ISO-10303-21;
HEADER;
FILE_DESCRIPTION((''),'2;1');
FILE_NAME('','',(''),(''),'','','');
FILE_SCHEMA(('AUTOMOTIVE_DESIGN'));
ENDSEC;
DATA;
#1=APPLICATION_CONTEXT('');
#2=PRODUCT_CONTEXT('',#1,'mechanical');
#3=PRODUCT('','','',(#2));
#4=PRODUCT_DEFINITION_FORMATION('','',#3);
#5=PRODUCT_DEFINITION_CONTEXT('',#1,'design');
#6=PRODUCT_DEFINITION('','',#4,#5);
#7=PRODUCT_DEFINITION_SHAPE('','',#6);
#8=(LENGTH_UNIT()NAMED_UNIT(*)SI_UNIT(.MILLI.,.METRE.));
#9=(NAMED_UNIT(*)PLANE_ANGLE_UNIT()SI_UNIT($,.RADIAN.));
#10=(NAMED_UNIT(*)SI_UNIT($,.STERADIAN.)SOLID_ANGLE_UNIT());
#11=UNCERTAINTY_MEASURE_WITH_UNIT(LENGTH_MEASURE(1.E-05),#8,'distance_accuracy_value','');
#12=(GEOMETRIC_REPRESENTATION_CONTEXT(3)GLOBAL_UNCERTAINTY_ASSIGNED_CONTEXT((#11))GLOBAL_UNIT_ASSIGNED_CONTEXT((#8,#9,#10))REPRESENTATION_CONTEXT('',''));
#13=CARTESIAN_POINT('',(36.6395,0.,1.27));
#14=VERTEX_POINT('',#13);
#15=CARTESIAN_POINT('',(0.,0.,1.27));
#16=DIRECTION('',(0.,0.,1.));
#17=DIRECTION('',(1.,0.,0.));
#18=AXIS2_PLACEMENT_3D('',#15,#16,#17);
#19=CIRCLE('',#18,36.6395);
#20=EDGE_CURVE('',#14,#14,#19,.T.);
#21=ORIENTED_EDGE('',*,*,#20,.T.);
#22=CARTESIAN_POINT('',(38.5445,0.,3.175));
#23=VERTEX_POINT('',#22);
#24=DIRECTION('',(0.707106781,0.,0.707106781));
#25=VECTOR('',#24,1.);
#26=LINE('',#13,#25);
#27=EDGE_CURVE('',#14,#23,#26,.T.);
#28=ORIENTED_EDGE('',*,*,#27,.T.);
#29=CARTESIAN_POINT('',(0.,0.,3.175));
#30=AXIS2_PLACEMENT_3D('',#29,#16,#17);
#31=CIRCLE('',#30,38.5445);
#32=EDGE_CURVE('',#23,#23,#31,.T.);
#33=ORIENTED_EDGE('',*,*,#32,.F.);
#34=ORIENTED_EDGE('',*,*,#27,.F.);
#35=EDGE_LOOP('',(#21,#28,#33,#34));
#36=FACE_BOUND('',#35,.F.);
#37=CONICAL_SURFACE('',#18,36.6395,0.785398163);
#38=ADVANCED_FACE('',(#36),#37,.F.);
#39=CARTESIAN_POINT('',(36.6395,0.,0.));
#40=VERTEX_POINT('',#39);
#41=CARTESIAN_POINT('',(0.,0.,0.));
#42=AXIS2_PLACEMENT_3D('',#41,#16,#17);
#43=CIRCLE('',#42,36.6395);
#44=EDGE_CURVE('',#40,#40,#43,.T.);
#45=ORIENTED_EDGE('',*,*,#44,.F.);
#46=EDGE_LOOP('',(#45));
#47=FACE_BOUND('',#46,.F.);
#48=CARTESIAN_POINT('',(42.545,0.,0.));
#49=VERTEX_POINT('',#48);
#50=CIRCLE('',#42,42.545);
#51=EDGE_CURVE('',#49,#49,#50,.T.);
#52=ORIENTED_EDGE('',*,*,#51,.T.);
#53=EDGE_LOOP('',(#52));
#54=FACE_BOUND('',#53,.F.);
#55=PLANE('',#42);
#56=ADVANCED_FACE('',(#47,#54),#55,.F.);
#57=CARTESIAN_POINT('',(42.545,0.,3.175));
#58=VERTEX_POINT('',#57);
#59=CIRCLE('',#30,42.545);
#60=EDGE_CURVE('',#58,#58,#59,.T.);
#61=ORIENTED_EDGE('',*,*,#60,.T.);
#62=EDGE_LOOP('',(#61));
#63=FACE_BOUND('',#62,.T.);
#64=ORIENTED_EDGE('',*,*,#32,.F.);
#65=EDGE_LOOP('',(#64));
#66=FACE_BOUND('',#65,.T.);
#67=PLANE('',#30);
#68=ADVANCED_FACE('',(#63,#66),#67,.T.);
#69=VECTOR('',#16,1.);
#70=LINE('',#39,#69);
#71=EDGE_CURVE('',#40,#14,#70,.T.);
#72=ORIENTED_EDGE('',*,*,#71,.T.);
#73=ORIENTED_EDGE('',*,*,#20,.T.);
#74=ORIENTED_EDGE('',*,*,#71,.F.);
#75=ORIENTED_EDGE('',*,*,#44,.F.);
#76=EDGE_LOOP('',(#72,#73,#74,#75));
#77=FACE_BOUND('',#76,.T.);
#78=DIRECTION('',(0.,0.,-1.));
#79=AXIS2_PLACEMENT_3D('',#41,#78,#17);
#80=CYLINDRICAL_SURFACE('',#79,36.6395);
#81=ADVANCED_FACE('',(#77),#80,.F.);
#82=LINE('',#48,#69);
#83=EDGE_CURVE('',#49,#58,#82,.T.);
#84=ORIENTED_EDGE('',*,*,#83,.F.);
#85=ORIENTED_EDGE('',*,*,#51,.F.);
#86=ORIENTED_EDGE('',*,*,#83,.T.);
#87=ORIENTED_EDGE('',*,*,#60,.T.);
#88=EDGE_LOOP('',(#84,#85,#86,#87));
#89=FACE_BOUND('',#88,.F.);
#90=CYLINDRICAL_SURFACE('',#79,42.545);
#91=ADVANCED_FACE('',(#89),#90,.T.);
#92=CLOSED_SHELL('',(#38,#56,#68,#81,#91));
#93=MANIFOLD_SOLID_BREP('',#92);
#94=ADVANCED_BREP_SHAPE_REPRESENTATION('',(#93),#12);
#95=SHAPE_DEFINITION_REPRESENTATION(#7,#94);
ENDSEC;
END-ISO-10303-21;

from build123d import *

# Parameters (mm, degrees)
SKETCH_R     = 42.545
SKETCH_R_2   = 36.6395
PAD_DEPTH    = 3.175
CHAMFER_SIZE = 1.905


with BuildPart() as part:
    # Sketch → Pad (new body)
    with BuildSketch(Plane.XY):
        Circle(SKETCH_R)
        Circle(SKETCH_R_2, mode=Mode.SUBTRACT)
    extrude(amount=PAD_DEPTH)

    # Chamfer
    chamfer_edges = [part.edges().sort_by_distance(p)[0] for p in [
        (-36.6395, 0, 3.175),
    ]]
    chamfer(chamfer_edges, length=CHAMFER_SIZE)


solid = part.part
